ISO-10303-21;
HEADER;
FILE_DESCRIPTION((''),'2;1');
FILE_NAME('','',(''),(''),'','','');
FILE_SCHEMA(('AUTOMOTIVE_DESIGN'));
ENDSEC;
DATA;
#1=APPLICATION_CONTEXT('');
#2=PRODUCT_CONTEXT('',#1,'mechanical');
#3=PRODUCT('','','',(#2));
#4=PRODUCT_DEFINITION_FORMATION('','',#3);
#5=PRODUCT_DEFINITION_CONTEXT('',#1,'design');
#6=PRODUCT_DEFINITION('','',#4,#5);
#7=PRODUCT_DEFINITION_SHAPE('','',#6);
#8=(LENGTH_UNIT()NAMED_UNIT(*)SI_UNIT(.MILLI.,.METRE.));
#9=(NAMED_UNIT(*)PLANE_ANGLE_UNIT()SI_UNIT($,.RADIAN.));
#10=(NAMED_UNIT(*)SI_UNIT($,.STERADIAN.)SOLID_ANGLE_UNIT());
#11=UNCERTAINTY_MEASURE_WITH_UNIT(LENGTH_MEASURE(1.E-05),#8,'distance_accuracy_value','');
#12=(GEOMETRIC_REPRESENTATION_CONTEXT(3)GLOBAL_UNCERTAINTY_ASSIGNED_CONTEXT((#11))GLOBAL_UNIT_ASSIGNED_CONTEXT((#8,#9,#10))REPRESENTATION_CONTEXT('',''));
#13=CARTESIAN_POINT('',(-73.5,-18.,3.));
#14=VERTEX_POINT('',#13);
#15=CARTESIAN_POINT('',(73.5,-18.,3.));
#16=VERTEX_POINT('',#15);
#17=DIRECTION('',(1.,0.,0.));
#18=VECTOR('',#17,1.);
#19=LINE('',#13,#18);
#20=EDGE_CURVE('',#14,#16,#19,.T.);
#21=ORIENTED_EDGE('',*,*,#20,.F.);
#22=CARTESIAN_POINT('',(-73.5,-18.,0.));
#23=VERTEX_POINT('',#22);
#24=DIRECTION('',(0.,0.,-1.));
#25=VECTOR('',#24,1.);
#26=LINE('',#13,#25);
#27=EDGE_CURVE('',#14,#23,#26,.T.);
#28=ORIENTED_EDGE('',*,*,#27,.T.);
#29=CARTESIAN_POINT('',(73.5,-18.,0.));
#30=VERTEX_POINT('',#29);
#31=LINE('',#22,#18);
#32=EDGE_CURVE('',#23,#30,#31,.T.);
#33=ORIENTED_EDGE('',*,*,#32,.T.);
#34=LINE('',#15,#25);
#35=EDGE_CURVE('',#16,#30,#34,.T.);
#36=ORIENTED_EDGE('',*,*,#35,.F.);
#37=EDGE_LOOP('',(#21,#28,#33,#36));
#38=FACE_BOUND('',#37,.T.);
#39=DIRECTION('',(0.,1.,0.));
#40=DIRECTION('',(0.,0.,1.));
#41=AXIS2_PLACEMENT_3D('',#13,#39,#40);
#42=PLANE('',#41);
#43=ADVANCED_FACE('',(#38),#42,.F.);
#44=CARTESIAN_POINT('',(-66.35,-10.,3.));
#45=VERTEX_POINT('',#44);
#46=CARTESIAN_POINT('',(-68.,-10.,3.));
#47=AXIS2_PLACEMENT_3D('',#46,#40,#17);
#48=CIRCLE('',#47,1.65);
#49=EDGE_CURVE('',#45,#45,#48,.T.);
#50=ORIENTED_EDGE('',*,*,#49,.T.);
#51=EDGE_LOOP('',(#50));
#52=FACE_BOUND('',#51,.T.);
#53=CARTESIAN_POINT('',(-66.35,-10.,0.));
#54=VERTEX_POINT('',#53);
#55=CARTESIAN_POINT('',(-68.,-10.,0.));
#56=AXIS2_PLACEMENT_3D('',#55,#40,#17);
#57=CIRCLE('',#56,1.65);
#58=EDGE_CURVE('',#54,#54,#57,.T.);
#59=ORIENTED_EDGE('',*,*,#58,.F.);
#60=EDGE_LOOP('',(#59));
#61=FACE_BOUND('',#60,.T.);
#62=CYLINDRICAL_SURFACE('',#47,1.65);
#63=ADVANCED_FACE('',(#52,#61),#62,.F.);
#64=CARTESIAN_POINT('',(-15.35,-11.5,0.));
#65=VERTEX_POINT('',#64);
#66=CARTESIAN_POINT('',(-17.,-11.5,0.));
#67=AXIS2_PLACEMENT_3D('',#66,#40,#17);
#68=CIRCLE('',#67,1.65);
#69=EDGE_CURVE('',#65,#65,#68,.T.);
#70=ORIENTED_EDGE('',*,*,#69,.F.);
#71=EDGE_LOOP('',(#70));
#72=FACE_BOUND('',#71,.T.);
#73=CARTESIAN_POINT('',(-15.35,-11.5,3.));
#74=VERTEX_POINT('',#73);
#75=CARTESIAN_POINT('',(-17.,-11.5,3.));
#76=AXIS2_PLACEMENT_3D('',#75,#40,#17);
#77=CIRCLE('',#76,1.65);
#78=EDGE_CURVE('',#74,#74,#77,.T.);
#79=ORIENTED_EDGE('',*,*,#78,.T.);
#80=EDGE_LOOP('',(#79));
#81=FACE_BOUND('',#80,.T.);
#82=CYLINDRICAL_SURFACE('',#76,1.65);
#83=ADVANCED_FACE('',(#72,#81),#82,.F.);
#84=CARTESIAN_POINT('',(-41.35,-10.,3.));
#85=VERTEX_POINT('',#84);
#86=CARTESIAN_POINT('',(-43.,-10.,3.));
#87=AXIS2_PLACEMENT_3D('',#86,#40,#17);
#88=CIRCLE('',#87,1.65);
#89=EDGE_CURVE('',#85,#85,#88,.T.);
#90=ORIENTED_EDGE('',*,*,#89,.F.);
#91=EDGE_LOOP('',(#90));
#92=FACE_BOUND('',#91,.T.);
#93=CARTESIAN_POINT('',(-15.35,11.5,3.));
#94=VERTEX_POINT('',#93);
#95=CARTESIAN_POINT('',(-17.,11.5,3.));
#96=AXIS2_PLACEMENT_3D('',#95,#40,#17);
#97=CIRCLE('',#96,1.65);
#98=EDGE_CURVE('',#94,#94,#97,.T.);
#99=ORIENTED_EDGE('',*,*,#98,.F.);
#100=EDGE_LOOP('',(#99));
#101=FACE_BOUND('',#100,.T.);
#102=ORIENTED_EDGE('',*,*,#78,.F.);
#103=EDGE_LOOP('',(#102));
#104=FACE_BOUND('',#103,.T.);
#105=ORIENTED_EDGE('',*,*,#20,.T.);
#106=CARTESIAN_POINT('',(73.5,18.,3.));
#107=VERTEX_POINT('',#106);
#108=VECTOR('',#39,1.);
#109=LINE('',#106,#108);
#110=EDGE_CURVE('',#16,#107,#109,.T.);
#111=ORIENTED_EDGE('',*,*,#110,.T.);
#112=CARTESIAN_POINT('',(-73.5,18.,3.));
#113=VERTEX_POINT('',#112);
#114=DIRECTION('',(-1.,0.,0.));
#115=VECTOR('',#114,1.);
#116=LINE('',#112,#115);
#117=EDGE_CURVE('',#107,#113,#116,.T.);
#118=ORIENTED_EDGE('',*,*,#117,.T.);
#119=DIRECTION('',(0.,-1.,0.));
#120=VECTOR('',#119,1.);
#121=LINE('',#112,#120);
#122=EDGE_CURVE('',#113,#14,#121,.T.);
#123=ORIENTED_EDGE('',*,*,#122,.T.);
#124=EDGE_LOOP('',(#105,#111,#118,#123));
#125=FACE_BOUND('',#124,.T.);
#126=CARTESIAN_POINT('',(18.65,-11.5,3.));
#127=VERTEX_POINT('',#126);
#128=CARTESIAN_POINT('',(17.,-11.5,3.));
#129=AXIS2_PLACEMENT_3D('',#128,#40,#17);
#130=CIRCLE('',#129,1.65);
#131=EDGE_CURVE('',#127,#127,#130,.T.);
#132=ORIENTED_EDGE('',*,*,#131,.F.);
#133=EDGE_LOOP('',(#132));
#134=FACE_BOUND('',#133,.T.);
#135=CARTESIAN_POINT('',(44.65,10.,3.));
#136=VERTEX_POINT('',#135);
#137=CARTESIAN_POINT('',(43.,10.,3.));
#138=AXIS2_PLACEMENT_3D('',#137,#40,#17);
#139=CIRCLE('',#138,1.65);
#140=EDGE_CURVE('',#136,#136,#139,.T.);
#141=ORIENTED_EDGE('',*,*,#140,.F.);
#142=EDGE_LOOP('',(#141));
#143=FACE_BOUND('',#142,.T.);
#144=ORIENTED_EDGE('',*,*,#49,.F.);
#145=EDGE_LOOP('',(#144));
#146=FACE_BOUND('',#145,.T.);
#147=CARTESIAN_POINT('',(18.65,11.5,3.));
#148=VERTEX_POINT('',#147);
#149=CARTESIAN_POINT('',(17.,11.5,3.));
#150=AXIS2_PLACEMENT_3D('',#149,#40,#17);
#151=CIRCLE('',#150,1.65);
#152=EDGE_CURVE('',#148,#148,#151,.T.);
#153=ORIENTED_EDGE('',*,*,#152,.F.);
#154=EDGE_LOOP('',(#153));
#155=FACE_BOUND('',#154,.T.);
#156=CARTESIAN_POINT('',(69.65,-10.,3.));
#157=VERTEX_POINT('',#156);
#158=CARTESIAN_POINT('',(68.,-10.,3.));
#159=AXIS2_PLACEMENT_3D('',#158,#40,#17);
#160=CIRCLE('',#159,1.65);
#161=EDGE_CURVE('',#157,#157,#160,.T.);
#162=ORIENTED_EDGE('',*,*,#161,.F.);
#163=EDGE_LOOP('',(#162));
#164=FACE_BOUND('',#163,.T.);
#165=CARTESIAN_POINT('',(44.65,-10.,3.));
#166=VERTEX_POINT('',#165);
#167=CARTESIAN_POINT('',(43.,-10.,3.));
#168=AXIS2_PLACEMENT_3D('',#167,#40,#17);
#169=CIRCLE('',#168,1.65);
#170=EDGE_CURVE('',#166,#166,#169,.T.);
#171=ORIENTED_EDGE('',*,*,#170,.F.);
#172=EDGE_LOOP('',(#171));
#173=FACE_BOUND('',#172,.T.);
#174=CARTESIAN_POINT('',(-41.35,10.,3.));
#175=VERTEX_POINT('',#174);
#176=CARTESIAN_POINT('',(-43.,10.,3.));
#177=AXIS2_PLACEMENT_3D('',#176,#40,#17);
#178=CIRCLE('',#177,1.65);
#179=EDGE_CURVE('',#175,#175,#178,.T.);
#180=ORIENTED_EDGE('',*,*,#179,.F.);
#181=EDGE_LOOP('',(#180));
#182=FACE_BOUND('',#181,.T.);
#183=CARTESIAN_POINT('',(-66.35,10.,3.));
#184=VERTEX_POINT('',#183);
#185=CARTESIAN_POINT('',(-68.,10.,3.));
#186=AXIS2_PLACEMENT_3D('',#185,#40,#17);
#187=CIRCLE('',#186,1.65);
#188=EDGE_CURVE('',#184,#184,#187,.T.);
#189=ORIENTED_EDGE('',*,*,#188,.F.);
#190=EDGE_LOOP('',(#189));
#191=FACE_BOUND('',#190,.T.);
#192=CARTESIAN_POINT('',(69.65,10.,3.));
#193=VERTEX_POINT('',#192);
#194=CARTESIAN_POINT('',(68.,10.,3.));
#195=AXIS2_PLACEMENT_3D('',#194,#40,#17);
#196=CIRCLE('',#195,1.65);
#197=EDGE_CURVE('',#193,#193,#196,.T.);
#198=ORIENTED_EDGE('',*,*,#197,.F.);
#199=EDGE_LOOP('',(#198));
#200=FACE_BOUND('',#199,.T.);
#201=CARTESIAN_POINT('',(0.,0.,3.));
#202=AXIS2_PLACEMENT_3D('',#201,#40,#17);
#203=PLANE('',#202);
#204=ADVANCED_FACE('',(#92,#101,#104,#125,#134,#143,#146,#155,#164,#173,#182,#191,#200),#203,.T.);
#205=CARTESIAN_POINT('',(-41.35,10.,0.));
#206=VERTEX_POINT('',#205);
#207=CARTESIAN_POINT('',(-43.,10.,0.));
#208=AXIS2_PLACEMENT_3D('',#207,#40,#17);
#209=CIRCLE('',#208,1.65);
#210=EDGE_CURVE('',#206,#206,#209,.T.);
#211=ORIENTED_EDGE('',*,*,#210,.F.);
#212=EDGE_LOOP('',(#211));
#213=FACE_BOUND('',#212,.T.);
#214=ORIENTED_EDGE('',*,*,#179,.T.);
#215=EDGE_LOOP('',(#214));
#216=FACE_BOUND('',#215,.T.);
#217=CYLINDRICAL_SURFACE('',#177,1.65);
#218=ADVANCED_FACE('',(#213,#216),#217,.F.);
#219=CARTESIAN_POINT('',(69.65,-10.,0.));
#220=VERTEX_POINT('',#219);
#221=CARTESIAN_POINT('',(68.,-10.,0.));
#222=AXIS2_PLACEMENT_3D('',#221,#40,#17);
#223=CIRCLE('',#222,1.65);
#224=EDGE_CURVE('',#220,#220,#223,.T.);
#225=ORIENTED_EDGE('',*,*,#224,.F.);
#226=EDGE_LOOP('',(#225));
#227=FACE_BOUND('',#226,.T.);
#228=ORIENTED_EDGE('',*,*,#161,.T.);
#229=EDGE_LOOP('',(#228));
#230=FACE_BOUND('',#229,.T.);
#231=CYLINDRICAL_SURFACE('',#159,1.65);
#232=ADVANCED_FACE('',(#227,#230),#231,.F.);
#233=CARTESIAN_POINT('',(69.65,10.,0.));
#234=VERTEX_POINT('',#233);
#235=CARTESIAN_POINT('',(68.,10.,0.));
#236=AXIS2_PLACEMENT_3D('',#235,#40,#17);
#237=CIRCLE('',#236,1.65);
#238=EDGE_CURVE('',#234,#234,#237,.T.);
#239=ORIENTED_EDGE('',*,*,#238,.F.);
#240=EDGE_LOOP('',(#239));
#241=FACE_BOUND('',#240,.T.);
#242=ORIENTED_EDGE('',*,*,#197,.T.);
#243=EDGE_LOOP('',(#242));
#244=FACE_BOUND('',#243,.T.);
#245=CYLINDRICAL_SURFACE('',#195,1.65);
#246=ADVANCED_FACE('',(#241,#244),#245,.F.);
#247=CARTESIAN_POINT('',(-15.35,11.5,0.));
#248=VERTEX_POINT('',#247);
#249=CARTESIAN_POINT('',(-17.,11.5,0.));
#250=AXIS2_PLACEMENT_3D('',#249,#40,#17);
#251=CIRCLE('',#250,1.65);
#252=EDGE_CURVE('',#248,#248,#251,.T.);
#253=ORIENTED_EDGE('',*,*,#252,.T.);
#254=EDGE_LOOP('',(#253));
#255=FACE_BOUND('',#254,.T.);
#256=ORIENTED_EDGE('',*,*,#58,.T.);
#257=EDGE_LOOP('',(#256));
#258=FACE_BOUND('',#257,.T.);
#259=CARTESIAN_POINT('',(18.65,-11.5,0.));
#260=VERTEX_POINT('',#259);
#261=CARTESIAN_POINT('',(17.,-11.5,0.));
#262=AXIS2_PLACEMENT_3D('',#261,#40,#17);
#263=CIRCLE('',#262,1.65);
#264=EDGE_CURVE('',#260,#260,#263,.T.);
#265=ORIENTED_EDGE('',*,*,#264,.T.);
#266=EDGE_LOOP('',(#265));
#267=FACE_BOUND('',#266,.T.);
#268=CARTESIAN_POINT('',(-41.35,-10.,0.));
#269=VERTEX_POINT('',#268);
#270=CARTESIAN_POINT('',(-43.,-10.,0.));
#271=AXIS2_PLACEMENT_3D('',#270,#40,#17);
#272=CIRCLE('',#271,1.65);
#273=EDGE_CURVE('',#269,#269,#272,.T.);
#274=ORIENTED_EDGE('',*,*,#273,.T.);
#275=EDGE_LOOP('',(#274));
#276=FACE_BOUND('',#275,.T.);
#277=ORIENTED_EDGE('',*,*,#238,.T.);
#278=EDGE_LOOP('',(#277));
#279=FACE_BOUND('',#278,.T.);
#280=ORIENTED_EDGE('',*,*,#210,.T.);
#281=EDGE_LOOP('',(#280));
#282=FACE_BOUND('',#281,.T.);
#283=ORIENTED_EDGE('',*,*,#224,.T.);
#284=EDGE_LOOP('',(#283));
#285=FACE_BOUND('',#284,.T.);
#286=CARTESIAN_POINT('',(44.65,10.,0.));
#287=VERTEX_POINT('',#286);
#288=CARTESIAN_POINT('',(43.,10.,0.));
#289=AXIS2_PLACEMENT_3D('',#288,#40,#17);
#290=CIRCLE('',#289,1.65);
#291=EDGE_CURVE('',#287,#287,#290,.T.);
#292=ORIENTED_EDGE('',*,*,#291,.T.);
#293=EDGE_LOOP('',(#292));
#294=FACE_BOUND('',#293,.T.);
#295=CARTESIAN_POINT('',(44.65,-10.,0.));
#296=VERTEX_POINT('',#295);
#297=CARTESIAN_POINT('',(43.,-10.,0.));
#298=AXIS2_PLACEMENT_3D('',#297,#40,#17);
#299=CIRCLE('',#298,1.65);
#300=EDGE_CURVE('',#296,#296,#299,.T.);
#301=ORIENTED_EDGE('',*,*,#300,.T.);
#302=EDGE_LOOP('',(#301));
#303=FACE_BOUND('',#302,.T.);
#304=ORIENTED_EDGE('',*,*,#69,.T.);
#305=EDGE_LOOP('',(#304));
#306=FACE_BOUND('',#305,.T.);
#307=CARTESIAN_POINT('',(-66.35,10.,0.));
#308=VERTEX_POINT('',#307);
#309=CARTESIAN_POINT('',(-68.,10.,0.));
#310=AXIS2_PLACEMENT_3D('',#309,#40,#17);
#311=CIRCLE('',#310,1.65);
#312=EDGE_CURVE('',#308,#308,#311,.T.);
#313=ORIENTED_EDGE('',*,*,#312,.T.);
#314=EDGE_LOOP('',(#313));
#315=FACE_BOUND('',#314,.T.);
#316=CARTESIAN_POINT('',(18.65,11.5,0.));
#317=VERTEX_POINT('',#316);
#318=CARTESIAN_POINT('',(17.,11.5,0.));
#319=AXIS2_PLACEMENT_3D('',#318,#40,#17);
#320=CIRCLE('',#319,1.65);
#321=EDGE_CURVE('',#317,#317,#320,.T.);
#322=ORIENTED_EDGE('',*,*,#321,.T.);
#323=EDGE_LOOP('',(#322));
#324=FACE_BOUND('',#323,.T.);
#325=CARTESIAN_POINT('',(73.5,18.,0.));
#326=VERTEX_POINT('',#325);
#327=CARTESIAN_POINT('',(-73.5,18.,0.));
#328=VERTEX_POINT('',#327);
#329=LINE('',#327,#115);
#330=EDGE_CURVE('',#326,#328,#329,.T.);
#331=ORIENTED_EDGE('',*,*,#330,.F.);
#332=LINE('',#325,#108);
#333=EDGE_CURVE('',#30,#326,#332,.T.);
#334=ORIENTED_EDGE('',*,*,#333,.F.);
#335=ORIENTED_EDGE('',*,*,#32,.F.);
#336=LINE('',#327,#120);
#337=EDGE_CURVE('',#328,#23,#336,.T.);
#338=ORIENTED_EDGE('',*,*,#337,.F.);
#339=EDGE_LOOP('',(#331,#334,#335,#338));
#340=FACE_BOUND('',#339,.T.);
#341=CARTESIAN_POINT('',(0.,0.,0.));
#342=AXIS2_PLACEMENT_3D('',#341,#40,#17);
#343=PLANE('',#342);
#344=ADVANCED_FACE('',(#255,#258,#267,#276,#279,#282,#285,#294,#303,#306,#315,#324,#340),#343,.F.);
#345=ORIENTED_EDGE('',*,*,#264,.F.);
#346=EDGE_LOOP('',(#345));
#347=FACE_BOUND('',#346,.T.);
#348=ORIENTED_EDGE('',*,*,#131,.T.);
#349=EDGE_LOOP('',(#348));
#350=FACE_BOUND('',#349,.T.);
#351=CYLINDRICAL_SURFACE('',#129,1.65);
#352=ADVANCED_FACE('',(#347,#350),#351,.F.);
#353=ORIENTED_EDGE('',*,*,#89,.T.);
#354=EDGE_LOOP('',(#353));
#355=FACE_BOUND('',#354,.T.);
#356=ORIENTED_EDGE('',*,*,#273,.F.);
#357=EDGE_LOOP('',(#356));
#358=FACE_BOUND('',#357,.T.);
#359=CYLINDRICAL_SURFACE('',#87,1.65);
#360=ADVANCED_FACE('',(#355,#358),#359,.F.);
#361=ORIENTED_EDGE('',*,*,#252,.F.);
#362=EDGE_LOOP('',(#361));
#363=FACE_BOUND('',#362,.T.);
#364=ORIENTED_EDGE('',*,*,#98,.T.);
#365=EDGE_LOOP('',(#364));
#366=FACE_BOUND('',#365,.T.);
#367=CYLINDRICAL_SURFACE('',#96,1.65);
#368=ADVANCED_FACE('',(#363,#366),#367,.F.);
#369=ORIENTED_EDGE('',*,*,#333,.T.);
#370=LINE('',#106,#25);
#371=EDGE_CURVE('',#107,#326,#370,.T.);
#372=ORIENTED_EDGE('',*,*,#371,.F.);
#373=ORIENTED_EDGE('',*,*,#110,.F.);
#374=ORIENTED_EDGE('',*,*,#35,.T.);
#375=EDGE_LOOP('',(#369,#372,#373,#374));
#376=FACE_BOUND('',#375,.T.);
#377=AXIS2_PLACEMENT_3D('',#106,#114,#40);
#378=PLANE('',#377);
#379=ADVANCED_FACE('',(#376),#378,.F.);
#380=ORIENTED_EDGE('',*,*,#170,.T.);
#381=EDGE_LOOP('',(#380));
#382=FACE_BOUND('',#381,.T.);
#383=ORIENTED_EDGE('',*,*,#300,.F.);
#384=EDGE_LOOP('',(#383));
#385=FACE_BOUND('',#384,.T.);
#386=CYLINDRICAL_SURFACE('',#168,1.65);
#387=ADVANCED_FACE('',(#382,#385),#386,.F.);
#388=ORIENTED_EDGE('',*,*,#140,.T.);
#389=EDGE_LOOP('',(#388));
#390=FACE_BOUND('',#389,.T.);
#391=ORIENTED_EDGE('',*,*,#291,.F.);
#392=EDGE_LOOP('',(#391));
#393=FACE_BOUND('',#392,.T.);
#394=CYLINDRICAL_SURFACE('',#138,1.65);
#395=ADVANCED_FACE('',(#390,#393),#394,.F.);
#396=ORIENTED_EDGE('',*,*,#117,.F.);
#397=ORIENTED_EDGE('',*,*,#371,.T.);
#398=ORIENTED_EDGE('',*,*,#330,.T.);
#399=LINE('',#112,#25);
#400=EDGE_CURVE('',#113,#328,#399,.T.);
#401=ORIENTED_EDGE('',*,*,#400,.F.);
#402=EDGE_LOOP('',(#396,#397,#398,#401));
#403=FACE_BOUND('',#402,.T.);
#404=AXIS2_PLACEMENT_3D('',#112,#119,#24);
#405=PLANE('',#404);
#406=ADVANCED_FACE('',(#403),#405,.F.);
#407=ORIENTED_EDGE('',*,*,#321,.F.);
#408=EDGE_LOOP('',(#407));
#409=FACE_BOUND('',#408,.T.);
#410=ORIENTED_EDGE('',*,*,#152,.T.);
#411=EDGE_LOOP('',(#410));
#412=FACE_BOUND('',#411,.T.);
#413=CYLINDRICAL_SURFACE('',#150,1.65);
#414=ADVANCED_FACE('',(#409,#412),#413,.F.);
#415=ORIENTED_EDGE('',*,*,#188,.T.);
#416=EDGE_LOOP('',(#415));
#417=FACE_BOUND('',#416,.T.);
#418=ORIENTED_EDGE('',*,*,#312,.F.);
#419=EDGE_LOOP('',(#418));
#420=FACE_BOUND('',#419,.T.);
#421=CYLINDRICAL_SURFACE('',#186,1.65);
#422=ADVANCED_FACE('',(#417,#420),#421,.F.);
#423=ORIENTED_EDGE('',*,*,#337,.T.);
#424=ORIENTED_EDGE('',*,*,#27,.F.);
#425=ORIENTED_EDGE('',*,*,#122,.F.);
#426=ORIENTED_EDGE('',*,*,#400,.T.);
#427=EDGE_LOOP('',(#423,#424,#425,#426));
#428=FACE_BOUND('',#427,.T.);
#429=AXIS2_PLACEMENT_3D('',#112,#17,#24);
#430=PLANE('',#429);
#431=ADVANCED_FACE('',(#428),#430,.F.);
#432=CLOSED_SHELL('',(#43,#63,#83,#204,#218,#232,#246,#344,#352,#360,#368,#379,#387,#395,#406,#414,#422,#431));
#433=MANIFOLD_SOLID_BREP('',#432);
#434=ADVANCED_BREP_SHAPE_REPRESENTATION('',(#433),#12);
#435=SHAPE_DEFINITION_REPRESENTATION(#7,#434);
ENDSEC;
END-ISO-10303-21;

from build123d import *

# Parameters (mm, degrees)
SKETCH_1_W                  = 147
SKETCH_1_H                  = 36
EXTRUDE_1_DEPTH             = 3
HOLE_WIZARD_M4_2_AT_2_COUNT = 2
HOLE_WIZARD_M4_2_AT_2_PITCH = 25


with BuildPart() as part:
    # 草图1 → 凸台-拉伸1 (new body)
    with BuildSketch(Plane.XY):
        Rectangle(SKETCH_1_W, SKETCH_1_H)
    extrude(amount=EXTRUDE_1_DEPTH)

    # 草图3 → M4 螺纹孔的螺纹孔钻头1 (revolve, cut)
    with BuildSketch(Plane(origin=(-17, 11.5, 3), x_dir=(0, -1, 0), z_dir=(1, 0, 0))):
        Polygon((0, 0), (0, 10.991420021), (1.65, 10), (1.65, 0), align=None)
    hole_wizard_m4_1 = revolve(axis=Axis((-17, 11.5, 9.35), (0, 0, -1)), mode=Mode.SUBTRACT)

    # 镜向1: M4 螺纹孔的螺纹孔钻头1 across plane
    add(hole_wizard_m4_1.mirror(Plane.ZX), mode=Mode.SUBTRACT)

    # 镜向2: M4 螺纹孔的螺纹孔钻头1 across plane
    add(hole_wizard_m4_1.mirror(Plane(origin=(0, 0, 0), x_dir=(0, 0, 1), z_dir=(1, 0, 0))), mode=Mode.SUBTRACT)

    # 镜向2 copy 1 sketch → 镜向2 copy 1 (revolve, cut)
    with BuildSketch(Plane(origin=(17, -11.5, 3), x_dir=(0, 1, 0), z_dir=(-1, 0, 0))):
        Polygon((0, 0), (0, 10.991420021), (1.65, 10), (1.65, 0), align=None)
    revolve(axis=Axis((17, -11.5, 9.35), (0, 0, -1)), mode=Mode.SUBTRACT)

    # 草图5 → M4 螺纹孔的螺纹孔钻头2 (revolve, cut)
    with BuildSketch(Plane(origin=(-68, -10, 3), x_dir=(0, -1, 0), z_dir=(1, 0, 0))):
        Polygon((0, 0), (0, 10.991420021), (1.65, 10), (1.65, 0), align=None)
    hole_wizard_m4_2 = revolve(axis=Axis((-68, -10, 9.35), (0, 0, -1)), mode=Mode.SUBTRACT)

    # M4 螺纹孔的螺纹孔钻头2 at 2: M4 螺纹孔的螺纹孔钻头2 ×2
    with Locations(*[(i * HOLE_WIZARD_M4_2_AT_2_PITCH, 0, 0) for i in range(1, HOLE_WIZARD_M4_2_AT_2_COUNT)]):
        add(hole_wizard_m4_2, mode=Mode.SUBTRACT)

    # 镜向3: M4 螺纹孔的螺纹孔钻头2 across plane
    add(hole_wizard_m4_2.mirror(Plane.ZX), mode=Mode.SUBTRACT)

    # 镜向3 copy 1 sketch → 镜向3 copy 1 (revolve, cut)
    with BuildSketch(Plane(origin=(-43, 10, 3), x_dir=(0, 1, 0), z_dir=(1, 0, 0))):
        Polygon((0, 0), (0, -10.991420021), (1.65, -10), (1.65, 0), align=None)
    revolve(axis=Axis((-43, 10, 9.35), (0, 0, 1)), mode=Mode.SUBTRACT)

    # 镜向4: M4 螺纹孔的螺纹孔钻头2 across plane
    add(hole_wizard_m4_2.mirror(Plane(origin=(0, 0, 0), x_dir=(0, 0, 1), z_dir=(1, 0, 0))), mode=Mode.SUBTRACT)

    # 镜向4 copy 1 sketch → 镜向4 copy 1 (revolve, cut)
    with BuildSketch(Plane(origin=(43, -10, 3), x_dir=(0, -1, 0), z_dir=(-1, 0, 0))):
        Polygon((0, 0), (0, -10.991420021), (1.65, -10), (1.65, 0), align=None)
    revolve(axis=Axis((43, -10, 9.35), (0, 0, 1)), mode=Mode.SUBTRACT)

    # 镜向4 copy 2 sketch → 镜向4 copy 2 (revolve, cut)
    with BuildSketch(Plane(origin=(68, 10, 3), x_dir=(0, 1, 0), z_dir=(-1, 0, 0))):
        Polygon((0, 0), (0, 10.991420021), (1.65, 10), (1.65, 0), align=None)
    revolve(axis=Axis((68, 10, 9.35), (0, 0, -1)), mode=Mode.SUBTRACT)

    # 镜向4 copy 3 sketch → 镜向4 copy 3 (revolve, cut)
    with BuildSketch(Plane(origin=(43, 10, 3), x_dir=(0, 1, 0), z_dir=(-1, 0, 0))):
        Polygon((0, 0), (0, 10.991420021), (1.65, 10), (1.65, 0), align=None)
    revolve(axis=Axis((43, 10, 9.35), (0, 0, -1)), mode=Mode.SUBTRACT)


solid = part.part
